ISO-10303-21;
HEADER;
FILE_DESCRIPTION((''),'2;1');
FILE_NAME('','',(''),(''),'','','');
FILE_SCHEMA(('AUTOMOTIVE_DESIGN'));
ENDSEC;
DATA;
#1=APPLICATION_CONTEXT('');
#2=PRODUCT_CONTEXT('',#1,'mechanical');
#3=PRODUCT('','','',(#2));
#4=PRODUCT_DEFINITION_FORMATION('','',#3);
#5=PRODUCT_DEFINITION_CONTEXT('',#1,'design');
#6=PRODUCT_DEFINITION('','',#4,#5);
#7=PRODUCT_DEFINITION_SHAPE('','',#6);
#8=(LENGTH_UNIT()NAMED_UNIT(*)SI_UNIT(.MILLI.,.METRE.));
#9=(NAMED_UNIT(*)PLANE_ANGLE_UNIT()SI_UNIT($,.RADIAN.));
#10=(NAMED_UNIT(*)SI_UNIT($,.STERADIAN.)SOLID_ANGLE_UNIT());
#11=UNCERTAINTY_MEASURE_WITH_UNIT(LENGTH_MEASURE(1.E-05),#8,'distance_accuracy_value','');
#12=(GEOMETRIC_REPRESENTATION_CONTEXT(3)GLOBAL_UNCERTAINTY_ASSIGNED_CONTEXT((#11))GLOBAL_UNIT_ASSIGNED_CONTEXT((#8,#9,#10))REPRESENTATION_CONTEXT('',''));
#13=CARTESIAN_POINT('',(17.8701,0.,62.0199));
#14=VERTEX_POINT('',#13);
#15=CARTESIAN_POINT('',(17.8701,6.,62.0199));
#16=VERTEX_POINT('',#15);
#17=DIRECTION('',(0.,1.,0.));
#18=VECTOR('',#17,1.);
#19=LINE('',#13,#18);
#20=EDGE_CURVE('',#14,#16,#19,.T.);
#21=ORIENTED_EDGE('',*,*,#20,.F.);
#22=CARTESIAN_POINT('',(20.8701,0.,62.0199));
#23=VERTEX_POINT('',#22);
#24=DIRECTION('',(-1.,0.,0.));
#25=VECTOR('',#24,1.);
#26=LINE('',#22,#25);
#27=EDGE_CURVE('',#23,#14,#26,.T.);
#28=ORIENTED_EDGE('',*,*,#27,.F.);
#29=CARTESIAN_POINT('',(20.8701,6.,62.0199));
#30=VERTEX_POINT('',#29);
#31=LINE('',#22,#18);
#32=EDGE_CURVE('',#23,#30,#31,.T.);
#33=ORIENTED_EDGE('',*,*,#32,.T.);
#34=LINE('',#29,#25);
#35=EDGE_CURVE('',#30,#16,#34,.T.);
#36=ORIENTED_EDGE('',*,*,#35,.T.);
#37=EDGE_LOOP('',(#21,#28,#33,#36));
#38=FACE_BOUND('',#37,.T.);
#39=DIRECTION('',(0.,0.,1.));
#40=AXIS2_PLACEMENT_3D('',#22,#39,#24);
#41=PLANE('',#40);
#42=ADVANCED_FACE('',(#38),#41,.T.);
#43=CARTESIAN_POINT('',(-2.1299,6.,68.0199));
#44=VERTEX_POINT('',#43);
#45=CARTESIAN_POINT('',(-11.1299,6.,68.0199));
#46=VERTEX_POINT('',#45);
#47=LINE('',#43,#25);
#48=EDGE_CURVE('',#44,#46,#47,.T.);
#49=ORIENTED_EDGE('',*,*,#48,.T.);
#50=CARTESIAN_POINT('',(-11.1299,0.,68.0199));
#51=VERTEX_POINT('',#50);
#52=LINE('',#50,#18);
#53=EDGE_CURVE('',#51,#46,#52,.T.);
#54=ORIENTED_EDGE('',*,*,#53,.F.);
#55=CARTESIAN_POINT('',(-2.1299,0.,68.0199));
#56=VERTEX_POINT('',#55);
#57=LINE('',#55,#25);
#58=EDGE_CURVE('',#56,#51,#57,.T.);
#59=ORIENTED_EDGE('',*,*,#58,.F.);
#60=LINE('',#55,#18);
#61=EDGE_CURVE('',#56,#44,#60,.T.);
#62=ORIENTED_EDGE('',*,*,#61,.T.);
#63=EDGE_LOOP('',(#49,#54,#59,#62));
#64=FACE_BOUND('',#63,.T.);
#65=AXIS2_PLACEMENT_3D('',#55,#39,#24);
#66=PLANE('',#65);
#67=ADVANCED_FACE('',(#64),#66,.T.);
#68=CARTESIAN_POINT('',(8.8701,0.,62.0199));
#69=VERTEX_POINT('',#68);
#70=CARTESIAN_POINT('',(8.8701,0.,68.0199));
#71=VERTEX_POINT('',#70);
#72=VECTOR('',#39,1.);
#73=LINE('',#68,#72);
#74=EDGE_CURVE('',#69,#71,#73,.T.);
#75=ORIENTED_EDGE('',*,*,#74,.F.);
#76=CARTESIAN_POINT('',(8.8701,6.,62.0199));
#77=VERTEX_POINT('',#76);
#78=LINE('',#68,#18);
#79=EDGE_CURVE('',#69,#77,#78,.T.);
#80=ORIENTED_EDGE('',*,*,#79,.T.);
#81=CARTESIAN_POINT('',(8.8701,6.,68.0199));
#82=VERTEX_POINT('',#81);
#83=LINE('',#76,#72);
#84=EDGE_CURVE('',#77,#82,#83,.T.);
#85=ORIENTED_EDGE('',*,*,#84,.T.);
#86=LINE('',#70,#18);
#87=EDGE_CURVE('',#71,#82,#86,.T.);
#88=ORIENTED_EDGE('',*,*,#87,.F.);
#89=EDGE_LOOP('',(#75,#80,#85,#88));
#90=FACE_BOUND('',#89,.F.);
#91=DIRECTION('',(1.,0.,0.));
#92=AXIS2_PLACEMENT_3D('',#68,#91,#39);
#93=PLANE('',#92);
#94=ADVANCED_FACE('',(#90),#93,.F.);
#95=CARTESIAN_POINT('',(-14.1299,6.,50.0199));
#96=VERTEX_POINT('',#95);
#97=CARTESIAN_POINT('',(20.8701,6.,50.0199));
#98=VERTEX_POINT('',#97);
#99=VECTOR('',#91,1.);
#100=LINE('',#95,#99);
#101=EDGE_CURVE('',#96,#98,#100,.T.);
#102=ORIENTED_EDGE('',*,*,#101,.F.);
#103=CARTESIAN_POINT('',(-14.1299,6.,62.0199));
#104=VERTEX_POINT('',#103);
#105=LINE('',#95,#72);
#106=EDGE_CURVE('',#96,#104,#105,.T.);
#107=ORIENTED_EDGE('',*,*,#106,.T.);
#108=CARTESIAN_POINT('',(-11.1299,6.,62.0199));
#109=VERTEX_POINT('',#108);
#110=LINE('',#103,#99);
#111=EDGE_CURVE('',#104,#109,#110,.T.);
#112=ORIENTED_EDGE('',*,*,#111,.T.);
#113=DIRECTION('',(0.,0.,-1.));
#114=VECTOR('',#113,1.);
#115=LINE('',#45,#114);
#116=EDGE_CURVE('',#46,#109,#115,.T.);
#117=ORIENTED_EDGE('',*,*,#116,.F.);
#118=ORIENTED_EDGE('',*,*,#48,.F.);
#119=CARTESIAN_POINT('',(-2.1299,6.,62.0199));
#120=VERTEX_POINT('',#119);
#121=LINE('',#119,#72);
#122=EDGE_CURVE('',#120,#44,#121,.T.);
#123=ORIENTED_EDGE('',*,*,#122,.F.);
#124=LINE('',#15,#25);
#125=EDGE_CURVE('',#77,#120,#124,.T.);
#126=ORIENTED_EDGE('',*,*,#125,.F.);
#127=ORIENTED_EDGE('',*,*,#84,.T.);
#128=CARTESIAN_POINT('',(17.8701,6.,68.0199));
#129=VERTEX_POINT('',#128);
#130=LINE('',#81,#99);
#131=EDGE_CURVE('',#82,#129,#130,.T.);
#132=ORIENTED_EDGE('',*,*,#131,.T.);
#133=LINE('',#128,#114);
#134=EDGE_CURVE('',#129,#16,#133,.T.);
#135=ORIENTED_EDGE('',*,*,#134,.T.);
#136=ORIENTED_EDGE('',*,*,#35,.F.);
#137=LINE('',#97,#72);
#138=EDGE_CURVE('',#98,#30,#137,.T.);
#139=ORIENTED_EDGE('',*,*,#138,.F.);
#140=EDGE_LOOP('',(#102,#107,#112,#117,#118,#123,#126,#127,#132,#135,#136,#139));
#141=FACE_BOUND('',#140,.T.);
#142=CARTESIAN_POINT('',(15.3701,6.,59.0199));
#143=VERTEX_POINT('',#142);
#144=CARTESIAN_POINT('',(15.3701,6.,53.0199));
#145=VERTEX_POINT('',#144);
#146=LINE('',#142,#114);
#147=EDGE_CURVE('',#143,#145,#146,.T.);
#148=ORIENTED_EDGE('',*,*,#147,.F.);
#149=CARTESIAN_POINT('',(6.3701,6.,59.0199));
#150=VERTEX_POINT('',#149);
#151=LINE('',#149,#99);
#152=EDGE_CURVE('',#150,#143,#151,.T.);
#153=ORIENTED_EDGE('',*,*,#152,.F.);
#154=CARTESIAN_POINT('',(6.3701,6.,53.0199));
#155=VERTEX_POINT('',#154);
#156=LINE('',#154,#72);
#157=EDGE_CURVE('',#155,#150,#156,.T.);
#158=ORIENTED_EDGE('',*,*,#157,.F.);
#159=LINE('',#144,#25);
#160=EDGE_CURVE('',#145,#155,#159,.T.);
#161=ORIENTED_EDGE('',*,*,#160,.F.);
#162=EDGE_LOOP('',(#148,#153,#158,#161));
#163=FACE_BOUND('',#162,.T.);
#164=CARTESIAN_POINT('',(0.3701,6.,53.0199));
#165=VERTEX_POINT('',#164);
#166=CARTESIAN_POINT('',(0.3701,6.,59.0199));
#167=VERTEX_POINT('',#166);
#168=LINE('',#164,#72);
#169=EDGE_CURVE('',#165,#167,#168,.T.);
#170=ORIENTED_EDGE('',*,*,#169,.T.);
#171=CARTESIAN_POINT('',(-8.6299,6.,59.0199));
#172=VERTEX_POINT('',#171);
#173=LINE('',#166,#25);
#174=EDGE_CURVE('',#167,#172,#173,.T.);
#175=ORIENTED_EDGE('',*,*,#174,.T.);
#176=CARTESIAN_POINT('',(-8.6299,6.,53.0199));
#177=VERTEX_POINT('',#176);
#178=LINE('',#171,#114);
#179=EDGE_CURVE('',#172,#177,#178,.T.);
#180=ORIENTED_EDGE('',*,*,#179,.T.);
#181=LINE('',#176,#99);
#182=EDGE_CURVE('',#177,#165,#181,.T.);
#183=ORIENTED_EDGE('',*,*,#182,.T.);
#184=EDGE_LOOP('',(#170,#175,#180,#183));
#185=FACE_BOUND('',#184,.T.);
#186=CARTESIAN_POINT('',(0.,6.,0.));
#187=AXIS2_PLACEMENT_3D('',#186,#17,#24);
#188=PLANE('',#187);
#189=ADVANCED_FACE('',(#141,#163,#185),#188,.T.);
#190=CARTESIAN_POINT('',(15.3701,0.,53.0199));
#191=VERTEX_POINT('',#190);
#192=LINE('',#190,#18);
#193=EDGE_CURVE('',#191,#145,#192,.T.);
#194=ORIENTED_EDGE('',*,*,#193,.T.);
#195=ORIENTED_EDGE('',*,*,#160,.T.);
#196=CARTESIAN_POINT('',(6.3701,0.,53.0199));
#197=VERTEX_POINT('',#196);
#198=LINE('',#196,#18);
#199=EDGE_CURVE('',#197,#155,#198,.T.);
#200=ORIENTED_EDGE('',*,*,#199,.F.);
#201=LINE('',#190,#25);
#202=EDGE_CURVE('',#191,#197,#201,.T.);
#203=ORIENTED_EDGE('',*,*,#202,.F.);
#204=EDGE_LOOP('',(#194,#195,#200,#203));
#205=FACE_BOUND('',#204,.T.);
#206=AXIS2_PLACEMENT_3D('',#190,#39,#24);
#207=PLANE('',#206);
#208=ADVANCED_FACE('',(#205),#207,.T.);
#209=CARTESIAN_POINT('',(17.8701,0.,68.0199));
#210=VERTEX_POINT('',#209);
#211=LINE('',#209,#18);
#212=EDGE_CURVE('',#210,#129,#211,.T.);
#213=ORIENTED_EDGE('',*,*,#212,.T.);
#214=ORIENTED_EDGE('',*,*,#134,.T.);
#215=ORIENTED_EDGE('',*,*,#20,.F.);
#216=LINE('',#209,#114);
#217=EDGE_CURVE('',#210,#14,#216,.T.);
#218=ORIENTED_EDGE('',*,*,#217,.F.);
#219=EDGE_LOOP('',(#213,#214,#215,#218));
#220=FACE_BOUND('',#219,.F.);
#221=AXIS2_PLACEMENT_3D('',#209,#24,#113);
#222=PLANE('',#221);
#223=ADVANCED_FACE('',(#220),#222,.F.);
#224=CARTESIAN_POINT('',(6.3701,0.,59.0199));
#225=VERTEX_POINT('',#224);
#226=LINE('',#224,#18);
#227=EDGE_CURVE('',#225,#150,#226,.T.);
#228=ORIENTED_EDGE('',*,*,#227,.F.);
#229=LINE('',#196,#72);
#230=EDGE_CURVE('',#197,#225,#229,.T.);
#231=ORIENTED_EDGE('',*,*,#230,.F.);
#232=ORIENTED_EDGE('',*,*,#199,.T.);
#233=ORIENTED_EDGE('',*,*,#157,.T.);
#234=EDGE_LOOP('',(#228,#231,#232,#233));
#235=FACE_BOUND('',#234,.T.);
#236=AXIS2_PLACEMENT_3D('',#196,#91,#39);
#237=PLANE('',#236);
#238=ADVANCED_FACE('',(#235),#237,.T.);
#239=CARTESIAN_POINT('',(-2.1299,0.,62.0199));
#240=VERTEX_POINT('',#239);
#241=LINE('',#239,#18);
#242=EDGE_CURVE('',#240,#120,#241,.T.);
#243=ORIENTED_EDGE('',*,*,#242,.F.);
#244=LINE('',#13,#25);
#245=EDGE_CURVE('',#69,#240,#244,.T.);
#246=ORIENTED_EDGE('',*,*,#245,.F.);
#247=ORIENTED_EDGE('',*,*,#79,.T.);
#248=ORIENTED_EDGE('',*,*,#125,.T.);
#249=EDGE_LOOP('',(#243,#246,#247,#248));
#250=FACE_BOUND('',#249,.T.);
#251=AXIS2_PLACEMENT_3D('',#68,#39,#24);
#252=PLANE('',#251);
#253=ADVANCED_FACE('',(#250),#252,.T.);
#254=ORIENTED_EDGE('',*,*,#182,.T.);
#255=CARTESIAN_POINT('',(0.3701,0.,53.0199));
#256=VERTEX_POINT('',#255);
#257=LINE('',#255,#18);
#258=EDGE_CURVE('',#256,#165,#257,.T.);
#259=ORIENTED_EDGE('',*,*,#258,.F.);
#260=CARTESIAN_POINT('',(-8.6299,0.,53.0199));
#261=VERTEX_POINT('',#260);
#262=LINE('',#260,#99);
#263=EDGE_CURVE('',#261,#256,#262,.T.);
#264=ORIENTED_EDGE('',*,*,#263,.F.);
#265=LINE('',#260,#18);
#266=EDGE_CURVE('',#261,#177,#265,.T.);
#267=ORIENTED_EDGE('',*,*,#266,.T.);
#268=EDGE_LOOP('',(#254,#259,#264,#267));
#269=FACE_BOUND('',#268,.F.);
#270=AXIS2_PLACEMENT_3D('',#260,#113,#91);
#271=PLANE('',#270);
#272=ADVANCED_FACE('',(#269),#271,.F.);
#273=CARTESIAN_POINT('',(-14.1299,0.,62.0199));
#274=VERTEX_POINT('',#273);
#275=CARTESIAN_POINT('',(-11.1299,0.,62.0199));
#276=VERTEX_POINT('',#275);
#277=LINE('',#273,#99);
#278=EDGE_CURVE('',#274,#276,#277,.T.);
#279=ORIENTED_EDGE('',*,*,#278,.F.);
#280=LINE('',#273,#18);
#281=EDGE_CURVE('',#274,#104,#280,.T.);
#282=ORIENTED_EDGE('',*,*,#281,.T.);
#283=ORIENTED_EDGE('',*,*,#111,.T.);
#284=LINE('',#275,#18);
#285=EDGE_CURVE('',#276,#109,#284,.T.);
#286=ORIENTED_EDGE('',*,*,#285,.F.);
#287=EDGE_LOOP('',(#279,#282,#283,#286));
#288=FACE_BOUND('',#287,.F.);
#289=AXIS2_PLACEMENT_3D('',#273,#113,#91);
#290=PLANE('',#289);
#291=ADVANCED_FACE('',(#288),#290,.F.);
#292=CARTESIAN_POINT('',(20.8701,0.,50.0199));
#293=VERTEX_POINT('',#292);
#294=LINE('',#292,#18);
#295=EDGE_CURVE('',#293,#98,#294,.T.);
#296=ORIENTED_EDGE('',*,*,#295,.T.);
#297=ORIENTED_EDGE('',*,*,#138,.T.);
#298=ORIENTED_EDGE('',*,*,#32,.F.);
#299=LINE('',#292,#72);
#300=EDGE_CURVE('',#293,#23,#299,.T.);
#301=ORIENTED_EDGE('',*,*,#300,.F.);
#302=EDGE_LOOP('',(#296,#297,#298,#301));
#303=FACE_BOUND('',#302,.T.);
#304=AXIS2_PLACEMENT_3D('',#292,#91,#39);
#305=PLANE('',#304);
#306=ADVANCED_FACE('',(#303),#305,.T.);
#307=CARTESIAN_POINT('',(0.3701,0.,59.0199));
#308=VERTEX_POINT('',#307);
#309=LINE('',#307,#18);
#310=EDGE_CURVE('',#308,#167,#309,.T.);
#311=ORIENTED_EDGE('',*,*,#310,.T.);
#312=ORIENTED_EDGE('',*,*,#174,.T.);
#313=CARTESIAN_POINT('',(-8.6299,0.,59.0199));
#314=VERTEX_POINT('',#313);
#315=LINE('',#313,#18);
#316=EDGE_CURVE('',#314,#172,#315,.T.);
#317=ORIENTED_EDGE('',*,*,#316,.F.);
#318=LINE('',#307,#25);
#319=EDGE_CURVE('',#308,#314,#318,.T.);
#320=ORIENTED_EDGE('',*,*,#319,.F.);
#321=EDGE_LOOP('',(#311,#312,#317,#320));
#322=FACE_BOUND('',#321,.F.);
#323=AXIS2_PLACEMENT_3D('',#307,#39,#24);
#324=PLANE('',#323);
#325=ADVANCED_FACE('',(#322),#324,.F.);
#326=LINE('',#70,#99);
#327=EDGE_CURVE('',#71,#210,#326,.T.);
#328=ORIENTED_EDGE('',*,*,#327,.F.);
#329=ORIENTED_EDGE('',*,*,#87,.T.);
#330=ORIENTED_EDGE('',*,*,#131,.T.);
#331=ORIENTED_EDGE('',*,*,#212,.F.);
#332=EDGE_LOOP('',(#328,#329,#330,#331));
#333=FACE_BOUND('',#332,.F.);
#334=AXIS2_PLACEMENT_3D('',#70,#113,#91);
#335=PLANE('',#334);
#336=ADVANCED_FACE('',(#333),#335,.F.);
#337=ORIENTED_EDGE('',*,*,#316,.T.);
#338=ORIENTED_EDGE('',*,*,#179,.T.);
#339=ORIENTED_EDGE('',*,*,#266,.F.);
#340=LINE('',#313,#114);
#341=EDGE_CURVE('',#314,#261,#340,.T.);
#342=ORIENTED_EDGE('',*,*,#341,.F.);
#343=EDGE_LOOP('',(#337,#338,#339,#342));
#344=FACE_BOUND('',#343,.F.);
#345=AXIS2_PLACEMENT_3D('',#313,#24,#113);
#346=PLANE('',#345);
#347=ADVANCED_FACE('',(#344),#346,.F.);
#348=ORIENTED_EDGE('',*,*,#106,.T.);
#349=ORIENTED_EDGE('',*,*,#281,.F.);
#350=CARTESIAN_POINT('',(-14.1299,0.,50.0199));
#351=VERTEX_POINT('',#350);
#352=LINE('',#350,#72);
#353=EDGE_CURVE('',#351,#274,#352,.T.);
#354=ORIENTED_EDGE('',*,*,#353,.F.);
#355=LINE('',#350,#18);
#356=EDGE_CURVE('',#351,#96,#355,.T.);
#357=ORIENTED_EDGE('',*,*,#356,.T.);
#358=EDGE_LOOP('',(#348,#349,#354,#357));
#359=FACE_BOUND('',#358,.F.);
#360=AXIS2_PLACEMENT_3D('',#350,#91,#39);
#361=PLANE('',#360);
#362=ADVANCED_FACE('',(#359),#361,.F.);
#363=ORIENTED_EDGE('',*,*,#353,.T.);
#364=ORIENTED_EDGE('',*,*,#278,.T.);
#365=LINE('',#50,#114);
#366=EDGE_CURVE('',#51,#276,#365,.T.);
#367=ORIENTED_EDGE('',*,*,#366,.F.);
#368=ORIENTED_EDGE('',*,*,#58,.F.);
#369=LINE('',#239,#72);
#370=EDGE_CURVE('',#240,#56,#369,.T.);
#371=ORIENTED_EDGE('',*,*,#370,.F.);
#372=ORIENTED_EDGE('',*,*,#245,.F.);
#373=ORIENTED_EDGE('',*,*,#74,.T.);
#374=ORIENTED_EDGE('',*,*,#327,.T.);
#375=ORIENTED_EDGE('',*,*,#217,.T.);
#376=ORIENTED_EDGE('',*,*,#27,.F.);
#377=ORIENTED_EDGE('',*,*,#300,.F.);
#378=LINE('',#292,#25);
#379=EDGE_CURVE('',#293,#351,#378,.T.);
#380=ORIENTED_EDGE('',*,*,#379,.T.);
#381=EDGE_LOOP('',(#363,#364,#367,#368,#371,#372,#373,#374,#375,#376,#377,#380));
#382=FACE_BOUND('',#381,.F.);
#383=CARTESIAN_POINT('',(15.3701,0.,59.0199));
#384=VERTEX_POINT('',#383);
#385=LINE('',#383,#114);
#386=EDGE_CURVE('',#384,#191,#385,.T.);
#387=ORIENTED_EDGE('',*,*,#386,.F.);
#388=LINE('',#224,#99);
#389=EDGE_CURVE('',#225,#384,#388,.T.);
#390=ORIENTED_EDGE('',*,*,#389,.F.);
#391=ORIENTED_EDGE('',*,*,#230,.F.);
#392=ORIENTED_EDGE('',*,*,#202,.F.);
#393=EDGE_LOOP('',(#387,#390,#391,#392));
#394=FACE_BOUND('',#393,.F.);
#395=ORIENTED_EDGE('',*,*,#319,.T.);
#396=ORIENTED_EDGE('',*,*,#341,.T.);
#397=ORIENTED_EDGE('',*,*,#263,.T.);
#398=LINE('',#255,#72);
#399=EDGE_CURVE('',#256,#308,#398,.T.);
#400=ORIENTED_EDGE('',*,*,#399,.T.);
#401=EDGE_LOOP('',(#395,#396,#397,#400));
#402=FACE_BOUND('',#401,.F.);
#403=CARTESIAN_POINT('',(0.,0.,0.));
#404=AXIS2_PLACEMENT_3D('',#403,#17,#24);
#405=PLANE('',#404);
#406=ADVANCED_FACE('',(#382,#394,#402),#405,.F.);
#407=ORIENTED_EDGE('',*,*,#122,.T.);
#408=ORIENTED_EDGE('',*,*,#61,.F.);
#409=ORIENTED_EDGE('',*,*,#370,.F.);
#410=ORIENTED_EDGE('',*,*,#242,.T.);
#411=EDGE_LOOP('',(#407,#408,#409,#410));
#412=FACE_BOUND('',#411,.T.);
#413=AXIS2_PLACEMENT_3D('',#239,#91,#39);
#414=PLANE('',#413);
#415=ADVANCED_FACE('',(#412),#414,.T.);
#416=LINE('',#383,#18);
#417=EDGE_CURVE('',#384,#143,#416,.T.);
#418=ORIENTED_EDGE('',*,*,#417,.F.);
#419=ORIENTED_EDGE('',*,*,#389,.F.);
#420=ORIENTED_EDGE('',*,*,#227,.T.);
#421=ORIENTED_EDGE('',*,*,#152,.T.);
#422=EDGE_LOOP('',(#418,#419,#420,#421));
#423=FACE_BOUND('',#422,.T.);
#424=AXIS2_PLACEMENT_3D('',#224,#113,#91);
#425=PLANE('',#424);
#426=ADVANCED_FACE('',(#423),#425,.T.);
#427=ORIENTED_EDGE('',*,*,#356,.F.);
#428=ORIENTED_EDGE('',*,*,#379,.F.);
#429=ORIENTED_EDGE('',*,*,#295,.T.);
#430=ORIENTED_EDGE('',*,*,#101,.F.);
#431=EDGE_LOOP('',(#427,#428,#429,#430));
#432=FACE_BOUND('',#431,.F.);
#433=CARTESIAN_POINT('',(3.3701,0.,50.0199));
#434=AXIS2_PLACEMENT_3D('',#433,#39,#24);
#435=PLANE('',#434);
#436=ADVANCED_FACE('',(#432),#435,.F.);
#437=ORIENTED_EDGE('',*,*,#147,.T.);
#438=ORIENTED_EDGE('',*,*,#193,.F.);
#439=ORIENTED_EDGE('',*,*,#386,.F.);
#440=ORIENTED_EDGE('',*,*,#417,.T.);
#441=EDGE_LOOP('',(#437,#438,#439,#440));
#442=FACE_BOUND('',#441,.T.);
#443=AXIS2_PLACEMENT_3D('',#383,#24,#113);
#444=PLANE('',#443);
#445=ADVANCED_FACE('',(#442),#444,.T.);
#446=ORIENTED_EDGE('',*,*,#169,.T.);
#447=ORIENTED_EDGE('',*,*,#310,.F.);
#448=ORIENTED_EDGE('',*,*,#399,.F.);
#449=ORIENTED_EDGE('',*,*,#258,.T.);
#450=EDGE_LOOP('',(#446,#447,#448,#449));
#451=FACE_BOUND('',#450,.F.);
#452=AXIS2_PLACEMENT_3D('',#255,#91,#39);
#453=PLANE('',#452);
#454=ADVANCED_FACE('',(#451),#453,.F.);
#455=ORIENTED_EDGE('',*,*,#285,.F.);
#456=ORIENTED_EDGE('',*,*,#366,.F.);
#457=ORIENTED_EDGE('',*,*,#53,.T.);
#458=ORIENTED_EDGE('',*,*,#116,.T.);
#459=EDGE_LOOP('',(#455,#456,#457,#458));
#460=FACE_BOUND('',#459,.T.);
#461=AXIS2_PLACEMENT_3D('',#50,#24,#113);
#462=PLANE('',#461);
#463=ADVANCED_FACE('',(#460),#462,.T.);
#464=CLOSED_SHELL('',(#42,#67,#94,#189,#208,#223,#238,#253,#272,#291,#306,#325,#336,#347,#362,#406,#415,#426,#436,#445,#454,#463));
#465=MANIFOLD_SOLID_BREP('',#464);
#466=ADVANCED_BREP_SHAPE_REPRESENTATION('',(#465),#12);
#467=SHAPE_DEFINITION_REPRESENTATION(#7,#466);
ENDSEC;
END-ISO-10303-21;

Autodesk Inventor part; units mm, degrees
ref_plane "YZ Plane" through (0, 0, 0) normal (1, 0, 0) x (0, 1, 0)
ref_plane "XZ Plane" through (0, 0, 0) normal (0, 1, 0) x (-1, 0, 0)
ref_plane "XY Plane" through (0, 0, 0) normal (0, 0, 1) x (1, 0, 0)
sketch "Sketch1" plane through (0, 0, 0) normal (0, 1, 0) x (-1, 0, 0)
  line L0 (11.1299, 50.0199) -> (11.1299, 62.0199)
  line L1 (-17.8701, 62.0199) -> (-17.8701, 50.0199)
  line L2 (-17.8701, 50.0199) -> (-3.3701, 50.0199)
  line L3 (-3.3701, 50.0199) -> (-3.3701, 62.0199) construction
  line L4 (-17.8701, 56.0199) -> (-3.3701, 56.0199) construction
  line L5 (-17.8701, 62.0199) -> (11.1299, 62.0199)
  line L6 (-17.8701, 62.0199) -> (-8.8701, 62.0199)
  line L7 (-8.8701, 62.0199) -> (-8.8701, 68.0199)
  line L8 (-8.8701, 68.0199) -> (-17.8701, 68.0199)
  line L9 (-17.8701, 68.0199) -> (-17.8701, 62.0199)
  line L10 (11.1299, 62.0199) -> (2.1299, 62.0199)
  line L11 (2.1299, 62.0199) -> (2.1299, 68.0199)
  line L12 (2.1299, 68.0199) -> (11.1299, 68.0199)
  line L13 (11.1299, 68.0199) -> (11.1299, 62.0199)
  line L14 (-3.3701, 56.0199) -> (11.1299, 56.0199) construction
  line L15 (-3.3701, 50.0199) -> (11.1299, 50.0199)
  line L16 (-0.3701, 59.0199) -> (8.6299, 59.0199)
  line L17 (8.6299, 59.0199) -> (8.6299, 53.0199)
  line L18 (8.6299, 53.0199) -> (-0.3701, 53.0199)
  line L19 (-0.3701, 53.0199) -> (-0.3701, 59.0199)
  line L20 (-0.3701, 59.0199) -> (8.6299, 53.0199) construction
  line L21 (8.6299, 59.0199) -> (-0.3701, 53.0199) construction
  line L22 (-6.3701, 59.0199) -> (-15.3701, 59.0199)
  line L23 (-15.3701, 59.0199) -> (-15.3701, 53.0199)
  line L24 (-15.3701, 53.0199) -> (-6.3701, 53.0199)
  line L25 (-6.3701, 53.0199) -> (-6.3701, 59.0199)
  line L26 (-6.3701, 59.0199) -> (-15.3701, 53.0199) construction
  line L27 (-15.3701, 59.0199) -> (-6.3701, 53.0199) construction
  line L28 (11.1299, 50.0199) -> (14.1299, 50.0199)
  line L29 (14.1299, 50.0199) -> (14.1299, 62.0199)
  line L30 (14.1299, 62.0199) -> (11.1299, 62.0199)
  line L31 (11.1299, 62.0199) -> (11.1299, 50.0199)
  line L32 (-17.8701, 50.0199) -> (-17.8701, 62.0199)
  line L33 (-17.8701, 50.0199) -> (-20.8701, 50.0199)
  line L34 (-20.8701, 50.0199) -> (-20.8701, 62.0199)
  line L35 (-20.8701, 62.0199) -> (-17.8701, 62.0199)
  line L36 (-17.8701, 62.0199) -> (-17.8701, 50.0199)
  point P0 (4.1299, 56.0199)
  point P1 (-10.8701, 56.0199)
  dimension "d0" = 29
  dimension "d1" = 12
  dimension "d18" = 9
  dimension "d19" = 6
  dimension "d20" = 14.5
  dimension "d61" = 9
  dimension "d62" = 6
  dimension "d63" = 6
  dimension "d64" = 3
  dimension "d65" = 3
  dimension "d66" = 12
extrude "Extrusion1" add sketch "Sketch1" along normal blind 6
equation "\"d66\" = d1"
properties part number "thumper-bumper-sidewall2-v3"
